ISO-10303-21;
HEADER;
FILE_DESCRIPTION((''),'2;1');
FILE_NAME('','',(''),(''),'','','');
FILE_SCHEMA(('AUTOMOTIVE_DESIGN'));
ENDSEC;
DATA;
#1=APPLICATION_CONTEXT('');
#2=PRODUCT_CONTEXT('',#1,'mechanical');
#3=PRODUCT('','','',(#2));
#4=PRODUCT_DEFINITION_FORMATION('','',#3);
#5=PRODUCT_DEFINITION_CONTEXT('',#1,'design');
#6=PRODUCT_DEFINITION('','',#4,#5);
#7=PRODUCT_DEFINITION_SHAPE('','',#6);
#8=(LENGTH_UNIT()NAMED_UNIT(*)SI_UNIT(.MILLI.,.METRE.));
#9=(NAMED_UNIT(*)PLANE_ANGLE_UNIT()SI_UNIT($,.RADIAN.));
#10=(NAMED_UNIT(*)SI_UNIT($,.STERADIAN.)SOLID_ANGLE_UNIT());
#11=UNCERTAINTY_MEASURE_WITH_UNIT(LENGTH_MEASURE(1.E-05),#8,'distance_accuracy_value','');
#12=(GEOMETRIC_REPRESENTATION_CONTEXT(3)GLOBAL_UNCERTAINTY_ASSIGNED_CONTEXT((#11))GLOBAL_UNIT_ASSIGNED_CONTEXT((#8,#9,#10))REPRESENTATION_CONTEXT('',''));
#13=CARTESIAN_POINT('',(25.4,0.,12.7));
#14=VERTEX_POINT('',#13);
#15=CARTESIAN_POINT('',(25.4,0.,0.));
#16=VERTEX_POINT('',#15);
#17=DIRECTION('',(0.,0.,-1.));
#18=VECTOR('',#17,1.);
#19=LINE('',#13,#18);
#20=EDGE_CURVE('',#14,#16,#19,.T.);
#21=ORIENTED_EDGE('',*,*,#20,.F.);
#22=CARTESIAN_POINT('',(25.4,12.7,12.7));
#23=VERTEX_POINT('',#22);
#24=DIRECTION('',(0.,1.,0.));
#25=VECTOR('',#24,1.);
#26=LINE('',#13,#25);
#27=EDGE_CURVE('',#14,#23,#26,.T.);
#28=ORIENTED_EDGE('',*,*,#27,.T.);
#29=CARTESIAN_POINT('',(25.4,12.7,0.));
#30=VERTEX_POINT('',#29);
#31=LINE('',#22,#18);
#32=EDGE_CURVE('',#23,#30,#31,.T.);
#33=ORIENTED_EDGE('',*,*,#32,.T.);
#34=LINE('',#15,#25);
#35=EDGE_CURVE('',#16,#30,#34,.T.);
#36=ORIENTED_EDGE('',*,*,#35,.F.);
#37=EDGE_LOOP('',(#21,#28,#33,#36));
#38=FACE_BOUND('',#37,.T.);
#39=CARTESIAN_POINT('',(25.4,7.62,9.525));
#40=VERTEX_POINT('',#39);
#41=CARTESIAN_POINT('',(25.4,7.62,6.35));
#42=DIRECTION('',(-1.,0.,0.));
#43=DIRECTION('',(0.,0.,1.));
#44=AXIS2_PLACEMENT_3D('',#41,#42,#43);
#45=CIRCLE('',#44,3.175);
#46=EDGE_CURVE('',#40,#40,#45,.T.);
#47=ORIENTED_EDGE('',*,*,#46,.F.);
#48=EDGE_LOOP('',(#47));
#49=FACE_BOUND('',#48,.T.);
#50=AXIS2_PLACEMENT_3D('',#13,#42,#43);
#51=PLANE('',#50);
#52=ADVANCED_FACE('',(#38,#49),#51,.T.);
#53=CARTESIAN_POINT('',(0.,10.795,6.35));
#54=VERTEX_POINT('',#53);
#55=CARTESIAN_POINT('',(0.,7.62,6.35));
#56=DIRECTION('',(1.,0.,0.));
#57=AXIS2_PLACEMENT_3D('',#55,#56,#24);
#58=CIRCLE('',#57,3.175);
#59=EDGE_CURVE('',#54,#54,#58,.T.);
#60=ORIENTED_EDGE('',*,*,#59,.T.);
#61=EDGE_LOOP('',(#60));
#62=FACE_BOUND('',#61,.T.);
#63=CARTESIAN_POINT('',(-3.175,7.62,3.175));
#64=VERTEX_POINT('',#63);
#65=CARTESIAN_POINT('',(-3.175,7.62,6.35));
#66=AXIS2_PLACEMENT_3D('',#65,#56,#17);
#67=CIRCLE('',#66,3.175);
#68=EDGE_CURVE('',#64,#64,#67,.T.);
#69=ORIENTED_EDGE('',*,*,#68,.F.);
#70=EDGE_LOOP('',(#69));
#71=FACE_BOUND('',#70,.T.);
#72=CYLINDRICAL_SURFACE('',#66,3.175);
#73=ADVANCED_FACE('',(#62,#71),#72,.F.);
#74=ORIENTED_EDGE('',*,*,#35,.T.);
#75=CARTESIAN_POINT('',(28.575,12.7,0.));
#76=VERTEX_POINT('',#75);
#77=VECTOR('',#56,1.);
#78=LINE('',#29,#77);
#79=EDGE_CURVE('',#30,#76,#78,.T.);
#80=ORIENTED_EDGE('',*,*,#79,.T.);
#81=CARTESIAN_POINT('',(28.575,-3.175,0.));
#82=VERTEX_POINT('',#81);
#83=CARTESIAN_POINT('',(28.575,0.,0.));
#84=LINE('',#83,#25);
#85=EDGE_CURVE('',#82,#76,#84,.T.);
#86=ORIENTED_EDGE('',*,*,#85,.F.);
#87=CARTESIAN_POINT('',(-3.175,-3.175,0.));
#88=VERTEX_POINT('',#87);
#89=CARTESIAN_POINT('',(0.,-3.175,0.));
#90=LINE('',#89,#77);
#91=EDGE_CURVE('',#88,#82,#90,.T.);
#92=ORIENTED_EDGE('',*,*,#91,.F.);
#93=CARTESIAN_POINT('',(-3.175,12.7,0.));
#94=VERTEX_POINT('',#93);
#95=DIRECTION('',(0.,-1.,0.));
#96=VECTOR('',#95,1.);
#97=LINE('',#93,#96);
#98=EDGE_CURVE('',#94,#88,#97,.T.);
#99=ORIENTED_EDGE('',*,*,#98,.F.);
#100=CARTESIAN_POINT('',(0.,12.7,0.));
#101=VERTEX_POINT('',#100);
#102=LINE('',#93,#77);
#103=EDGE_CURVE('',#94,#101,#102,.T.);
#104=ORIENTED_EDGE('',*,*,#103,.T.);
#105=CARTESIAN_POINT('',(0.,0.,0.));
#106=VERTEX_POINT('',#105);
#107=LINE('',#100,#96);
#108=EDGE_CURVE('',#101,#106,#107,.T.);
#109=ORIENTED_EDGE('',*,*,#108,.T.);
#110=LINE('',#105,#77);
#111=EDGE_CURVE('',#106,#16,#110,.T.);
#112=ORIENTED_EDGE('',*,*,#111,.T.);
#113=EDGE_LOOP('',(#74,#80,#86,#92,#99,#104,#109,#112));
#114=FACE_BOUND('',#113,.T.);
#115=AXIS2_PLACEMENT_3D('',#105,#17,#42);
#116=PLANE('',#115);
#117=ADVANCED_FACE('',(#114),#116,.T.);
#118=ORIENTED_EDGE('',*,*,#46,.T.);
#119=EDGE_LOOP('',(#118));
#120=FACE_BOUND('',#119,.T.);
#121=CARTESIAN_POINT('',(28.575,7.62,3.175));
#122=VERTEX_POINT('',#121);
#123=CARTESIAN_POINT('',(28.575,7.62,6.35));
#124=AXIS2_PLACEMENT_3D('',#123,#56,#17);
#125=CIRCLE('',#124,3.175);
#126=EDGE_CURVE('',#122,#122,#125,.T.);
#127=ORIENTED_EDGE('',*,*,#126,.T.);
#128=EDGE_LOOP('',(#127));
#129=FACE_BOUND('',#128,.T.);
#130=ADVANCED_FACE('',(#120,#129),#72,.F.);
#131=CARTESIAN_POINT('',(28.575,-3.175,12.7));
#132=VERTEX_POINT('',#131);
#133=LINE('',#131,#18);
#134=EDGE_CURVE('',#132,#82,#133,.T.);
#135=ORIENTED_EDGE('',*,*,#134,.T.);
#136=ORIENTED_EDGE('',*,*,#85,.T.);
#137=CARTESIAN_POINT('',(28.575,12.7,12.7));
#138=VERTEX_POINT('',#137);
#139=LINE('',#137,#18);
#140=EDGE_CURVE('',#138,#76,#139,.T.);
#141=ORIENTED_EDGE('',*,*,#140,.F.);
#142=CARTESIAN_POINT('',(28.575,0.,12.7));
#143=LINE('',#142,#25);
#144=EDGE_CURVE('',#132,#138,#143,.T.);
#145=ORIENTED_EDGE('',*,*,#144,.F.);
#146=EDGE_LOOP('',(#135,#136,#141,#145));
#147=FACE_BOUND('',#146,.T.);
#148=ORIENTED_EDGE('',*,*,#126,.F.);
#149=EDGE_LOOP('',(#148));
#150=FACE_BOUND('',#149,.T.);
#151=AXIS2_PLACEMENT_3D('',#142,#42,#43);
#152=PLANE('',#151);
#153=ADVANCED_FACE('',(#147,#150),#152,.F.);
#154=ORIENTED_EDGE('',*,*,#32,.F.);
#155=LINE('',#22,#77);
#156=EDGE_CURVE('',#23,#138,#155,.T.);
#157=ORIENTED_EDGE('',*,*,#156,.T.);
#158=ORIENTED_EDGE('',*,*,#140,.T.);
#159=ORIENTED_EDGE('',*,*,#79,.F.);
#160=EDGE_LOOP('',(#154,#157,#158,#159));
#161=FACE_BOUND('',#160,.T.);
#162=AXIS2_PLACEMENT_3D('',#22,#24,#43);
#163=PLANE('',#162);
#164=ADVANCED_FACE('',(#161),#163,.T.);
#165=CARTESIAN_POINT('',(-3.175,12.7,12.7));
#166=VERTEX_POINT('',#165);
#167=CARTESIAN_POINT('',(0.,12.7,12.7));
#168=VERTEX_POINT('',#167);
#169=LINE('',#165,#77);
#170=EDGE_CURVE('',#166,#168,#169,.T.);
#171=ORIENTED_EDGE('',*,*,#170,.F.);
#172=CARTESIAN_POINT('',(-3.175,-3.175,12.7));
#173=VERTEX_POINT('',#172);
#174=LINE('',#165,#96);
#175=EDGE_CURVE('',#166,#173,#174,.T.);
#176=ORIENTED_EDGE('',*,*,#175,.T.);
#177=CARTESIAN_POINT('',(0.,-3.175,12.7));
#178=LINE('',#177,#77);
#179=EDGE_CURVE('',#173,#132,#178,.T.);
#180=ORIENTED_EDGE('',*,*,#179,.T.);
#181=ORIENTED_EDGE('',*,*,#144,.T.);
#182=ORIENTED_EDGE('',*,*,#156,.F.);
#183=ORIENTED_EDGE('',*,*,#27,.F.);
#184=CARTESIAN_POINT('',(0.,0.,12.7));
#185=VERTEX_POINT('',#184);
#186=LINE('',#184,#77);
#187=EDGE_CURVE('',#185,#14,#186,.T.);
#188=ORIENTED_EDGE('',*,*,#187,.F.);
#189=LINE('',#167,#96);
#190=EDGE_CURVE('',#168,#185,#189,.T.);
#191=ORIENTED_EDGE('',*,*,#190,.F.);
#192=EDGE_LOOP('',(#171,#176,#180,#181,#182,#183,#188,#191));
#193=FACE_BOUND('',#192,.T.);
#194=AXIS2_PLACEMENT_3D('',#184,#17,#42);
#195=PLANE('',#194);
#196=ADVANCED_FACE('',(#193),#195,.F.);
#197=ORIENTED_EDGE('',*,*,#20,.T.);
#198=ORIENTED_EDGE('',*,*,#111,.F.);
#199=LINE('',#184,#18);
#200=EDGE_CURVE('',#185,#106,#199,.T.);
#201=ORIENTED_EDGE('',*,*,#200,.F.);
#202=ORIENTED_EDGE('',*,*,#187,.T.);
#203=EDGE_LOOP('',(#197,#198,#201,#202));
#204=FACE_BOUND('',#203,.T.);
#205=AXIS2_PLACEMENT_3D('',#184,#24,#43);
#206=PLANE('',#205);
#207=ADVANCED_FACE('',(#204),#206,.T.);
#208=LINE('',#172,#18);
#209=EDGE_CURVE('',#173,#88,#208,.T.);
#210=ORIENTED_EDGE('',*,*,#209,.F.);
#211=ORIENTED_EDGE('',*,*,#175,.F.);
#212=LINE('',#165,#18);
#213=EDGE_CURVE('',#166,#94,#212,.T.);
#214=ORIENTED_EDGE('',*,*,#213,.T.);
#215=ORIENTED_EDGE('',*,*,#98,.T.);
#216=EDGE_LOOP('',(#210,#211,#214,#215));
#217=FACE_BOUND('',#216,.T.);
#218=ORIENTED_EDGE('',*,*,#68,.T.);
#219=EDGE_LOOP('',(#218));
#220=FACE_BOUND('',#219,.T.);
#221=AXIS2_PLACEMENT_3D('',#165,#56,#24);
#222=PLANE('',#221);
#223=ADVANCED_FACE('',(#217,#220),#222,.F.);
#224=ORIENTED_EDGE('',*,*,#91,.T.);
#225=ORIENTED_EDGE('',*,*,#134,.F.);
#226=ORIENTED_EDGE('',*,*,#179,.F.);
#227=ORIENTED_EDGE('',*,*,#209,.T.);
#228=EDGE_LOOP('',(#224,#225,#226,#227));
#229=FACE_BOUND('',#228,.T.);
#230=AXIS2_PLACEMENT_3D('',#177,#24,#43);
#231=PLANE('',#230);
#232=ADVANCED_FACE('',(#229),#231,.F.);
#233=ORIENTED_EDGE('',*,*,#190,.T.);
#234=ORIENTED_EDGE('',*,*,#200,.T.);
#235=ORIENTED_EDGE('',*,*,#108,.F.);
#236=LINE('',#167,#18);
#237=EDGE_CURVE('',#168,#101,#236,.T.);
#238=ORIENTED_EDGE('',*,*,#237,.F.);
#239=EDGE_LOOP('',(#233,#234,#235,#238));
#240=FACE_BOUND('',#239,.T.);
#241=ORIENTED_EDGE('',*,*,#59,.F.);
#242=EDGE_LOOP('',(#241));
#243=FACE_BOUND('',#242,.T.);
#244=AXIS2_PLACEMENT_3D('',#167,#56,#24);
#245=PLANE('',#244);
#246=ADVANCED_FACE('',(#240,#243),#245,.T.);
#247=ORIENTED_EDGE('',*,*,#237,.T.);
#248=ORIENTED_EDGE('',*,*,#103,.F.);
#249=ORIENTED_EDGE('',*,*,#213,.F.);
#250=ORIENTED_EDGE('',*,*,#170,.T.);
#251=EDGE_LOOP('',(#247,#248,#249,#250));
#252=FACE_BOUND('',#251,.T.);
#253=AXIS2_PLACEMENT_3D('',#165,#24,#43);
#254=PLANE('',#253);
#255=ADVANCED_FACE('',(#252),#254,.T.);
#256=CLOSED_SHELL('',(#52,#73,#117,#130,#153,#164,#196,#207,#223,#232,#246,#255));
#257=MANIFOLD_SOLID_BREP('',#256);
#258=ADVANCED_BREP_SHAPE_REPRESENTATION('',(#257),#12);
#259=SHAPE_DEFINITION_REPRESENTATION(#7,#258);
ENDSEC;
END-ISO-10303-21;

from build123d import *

# Parameters (mm, degrees)
EXTRUDE_THIN1_DEPTH = 12.7
SKETCH2_R           = 3.175
CUT_EXTRUDE1_DEPTH  = 37.477972806


with BuildPart() as part:
    # Sketch1 → Extrude-Thin1 (new body)
    with BuildSketch(Plane.XY):
        Polygon((0, 12.7), (0, 0), (25.4, 0), (25.4, 12.7), (28.575, 12.7), (28.575, -3.175), (-3.175, -3.175), (-3.175, 12.7), align=None)
    extrude(amount=EXTRUDE_THIN1_DEPTH)

    # Sketch2 → Cut-Extrude1 (cut, through all)
    with BuildSketch(Plane(origin=(28.575, 0, 0), x_dir=(0, 0, -1), z_dir=(1, 0, 0))):
        with Locations((-6.35, 7.62)):
            Circle(SKETCH2_R)
    extrude(amount=-CUT_EXTRUDE1_DEPTH, mode=Mode.SUBTRACT)


solid = part.part
